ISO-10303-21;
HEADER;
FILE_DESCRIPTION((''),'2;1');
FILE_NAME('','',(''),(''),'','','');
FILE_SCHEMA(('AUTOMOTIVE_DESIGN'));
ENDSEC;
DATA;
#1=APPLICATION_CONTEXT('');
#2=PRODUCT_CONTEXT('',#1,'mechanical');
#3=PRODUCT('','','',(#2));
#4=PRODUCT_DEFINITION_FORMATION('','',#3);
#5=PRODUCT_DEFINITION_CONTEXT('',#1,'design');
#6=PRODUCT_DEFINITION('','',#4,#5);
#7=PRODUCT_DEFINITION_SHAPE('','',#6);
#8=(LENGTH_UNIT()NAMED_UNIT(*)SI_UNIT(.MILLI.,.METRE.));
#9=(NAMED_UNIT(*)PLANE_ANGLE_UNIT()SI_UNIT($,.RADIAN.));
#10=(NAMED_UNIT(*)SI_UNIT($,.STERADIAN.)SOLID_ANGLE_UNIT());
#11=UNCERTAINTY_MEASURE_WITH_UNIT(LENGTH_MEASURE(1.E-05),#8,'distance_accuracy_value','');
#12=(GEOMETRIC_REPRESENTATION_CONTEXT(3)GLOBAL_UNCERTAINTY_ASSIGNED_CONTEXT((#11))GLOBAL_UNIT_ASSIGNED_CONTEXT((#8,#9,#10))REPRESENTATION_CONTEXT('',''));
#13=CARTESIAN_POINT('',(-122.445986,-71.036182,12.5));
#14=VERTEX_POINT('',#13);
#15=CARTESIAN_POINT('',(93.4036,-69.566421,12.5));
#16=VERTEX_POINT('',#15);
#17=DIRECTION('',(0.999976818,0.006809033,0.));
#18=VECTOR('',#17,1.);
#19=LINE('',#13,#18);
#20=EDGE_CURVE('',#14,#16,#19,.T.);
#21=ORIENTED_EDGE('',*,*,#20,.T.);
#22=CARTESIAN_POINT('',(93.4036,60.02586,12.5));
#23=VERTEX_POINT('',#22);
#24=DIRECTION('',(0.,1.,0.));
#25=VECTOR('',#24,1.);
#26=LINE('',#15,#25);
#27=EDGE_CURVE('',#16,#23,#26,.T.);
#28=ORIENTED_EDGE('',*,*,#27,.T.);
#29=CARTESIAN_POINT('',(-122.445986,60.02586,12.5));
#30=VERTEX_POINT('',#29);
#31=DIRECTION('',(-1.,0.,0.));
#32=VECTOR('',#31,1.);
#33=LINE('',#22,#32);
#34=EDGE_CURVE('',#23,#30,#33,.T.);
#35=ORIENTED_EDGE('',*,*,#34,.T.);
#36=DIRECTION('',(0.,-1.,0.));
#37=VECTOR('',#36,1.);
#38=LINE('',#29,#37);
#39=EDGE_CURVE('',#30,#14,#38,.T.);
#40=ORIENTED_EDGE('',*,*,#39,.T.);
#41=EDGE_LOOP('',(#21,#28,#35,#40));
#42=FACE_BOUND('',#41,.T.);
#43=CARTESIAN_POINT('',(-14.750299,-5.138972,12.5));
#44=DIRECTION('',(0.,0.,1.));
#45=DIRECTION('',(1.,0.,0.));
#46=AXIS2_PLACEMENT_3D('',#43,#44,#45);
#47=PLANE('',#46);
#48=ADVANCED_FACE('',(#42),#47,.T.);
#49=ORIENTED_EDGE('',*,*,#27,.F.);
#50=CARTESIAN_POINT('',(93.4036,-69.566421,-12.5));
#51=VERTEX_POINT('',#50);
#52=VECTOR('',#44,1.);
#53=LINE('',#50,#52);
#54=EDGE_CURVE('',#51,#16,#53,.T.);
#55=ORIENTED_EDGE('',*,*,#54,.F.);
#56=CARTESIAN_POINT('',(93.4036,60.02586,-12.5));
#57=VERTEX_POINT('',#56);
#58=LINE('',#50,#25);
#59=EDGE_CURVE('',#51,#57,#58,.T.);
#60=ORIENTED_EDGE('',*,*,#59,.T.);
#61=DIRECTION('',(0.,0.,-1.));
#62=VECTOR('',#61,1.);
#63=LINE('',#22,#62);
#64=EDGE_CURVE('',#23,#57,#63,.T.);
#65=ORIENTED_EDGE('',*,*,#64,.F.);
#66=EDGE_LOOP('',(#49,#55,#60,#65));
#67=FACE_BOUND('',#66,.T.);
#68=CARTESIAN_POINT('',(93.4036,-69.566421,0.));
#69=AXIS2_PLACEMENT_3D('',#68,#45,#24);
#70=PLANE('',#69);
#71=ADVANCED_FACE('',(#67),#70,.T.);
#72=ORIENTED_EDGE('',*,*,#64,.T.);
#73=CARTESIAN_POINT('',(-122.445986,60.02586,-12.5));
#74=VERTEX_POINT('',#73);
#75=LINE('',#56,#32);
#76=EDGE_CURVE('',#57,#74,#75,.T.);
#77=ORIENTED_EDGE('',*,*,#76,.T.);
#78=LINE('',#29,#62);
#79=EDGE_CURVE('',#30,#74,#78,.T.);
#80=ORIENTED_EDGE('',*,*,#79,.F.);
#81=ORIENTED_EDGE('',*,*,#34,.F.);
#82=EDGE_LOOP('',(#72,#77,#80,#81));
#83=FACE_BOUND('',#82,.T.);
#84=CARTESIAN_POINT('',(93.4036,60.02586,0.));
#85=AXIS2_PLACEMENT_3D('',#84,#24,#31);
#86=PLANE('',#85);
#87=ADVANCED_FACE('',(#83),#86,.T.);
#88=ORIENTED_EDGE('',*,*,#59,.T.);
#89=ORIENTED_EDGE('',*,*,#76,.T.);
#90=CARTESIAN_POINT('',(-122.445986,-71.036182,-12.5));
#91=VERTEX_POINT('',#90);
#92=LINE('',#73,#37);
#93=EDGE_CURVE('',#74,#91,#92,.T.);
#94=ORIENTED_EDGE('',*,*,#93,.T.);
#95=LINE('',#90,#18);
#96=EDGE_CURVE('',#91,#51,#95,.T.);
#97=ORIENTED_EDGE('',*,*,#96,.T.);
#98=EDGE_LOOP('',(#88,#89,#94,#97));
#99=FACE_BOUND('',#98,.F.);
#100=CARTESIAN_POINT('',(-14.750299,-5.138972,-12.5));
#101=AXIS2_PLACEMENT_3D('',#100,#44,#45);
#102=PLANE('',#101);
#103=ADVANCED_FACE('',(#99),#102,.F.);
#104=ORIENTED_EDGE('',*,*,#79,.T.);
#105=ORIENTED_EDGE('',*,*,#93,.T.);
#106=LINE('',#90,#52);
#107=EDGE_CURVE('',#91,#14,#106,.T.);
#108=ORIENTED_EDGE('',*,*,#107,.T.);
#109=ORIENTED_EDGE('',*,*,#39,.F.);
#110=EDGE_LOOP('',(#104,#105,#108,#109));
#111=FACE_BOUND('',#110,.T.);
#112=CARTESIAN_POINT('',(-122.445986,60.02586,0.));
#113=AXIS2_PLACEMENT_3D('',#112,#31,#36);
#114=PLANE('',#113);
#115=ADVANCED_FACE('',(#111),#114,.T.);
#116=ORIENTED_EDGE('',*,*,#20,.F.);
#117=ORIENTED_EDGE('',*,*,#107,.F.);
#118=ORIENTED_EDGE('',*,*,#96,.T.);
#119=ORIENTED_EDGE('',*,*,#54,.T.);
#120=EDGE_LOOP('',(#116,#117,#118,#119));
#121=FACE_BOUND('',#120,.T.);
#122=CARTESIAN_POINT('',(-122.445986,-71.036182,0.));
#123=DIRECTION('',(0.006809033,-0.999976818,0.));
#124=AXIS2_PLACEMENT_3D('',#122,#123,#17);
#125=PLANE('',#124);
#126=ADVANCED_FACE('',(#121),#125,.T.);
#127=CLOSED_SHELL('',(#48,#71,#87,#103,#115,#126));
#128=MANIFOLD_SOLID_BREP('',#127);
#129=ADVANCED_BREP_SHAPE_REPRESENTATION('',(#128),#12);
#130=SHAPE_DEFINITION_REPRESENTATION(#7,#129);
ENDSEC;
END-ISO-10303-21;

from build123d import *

# Parameters (mm, degrees)
F1_DEPTH = 12.5


with BuildPart() as f1:
    # F0 (on Top) → F1 (new body, symmetric)
    with BuildSketch(Plane.XY):
        Polygon((-122.445986, 60.02586), (-122.445986, -71.036182), (93.4036, -69.566421), (93.4036, 60.02586), align=None)
    extrude(amount=F1_DEPTH, both=True)


solid = f1.part
